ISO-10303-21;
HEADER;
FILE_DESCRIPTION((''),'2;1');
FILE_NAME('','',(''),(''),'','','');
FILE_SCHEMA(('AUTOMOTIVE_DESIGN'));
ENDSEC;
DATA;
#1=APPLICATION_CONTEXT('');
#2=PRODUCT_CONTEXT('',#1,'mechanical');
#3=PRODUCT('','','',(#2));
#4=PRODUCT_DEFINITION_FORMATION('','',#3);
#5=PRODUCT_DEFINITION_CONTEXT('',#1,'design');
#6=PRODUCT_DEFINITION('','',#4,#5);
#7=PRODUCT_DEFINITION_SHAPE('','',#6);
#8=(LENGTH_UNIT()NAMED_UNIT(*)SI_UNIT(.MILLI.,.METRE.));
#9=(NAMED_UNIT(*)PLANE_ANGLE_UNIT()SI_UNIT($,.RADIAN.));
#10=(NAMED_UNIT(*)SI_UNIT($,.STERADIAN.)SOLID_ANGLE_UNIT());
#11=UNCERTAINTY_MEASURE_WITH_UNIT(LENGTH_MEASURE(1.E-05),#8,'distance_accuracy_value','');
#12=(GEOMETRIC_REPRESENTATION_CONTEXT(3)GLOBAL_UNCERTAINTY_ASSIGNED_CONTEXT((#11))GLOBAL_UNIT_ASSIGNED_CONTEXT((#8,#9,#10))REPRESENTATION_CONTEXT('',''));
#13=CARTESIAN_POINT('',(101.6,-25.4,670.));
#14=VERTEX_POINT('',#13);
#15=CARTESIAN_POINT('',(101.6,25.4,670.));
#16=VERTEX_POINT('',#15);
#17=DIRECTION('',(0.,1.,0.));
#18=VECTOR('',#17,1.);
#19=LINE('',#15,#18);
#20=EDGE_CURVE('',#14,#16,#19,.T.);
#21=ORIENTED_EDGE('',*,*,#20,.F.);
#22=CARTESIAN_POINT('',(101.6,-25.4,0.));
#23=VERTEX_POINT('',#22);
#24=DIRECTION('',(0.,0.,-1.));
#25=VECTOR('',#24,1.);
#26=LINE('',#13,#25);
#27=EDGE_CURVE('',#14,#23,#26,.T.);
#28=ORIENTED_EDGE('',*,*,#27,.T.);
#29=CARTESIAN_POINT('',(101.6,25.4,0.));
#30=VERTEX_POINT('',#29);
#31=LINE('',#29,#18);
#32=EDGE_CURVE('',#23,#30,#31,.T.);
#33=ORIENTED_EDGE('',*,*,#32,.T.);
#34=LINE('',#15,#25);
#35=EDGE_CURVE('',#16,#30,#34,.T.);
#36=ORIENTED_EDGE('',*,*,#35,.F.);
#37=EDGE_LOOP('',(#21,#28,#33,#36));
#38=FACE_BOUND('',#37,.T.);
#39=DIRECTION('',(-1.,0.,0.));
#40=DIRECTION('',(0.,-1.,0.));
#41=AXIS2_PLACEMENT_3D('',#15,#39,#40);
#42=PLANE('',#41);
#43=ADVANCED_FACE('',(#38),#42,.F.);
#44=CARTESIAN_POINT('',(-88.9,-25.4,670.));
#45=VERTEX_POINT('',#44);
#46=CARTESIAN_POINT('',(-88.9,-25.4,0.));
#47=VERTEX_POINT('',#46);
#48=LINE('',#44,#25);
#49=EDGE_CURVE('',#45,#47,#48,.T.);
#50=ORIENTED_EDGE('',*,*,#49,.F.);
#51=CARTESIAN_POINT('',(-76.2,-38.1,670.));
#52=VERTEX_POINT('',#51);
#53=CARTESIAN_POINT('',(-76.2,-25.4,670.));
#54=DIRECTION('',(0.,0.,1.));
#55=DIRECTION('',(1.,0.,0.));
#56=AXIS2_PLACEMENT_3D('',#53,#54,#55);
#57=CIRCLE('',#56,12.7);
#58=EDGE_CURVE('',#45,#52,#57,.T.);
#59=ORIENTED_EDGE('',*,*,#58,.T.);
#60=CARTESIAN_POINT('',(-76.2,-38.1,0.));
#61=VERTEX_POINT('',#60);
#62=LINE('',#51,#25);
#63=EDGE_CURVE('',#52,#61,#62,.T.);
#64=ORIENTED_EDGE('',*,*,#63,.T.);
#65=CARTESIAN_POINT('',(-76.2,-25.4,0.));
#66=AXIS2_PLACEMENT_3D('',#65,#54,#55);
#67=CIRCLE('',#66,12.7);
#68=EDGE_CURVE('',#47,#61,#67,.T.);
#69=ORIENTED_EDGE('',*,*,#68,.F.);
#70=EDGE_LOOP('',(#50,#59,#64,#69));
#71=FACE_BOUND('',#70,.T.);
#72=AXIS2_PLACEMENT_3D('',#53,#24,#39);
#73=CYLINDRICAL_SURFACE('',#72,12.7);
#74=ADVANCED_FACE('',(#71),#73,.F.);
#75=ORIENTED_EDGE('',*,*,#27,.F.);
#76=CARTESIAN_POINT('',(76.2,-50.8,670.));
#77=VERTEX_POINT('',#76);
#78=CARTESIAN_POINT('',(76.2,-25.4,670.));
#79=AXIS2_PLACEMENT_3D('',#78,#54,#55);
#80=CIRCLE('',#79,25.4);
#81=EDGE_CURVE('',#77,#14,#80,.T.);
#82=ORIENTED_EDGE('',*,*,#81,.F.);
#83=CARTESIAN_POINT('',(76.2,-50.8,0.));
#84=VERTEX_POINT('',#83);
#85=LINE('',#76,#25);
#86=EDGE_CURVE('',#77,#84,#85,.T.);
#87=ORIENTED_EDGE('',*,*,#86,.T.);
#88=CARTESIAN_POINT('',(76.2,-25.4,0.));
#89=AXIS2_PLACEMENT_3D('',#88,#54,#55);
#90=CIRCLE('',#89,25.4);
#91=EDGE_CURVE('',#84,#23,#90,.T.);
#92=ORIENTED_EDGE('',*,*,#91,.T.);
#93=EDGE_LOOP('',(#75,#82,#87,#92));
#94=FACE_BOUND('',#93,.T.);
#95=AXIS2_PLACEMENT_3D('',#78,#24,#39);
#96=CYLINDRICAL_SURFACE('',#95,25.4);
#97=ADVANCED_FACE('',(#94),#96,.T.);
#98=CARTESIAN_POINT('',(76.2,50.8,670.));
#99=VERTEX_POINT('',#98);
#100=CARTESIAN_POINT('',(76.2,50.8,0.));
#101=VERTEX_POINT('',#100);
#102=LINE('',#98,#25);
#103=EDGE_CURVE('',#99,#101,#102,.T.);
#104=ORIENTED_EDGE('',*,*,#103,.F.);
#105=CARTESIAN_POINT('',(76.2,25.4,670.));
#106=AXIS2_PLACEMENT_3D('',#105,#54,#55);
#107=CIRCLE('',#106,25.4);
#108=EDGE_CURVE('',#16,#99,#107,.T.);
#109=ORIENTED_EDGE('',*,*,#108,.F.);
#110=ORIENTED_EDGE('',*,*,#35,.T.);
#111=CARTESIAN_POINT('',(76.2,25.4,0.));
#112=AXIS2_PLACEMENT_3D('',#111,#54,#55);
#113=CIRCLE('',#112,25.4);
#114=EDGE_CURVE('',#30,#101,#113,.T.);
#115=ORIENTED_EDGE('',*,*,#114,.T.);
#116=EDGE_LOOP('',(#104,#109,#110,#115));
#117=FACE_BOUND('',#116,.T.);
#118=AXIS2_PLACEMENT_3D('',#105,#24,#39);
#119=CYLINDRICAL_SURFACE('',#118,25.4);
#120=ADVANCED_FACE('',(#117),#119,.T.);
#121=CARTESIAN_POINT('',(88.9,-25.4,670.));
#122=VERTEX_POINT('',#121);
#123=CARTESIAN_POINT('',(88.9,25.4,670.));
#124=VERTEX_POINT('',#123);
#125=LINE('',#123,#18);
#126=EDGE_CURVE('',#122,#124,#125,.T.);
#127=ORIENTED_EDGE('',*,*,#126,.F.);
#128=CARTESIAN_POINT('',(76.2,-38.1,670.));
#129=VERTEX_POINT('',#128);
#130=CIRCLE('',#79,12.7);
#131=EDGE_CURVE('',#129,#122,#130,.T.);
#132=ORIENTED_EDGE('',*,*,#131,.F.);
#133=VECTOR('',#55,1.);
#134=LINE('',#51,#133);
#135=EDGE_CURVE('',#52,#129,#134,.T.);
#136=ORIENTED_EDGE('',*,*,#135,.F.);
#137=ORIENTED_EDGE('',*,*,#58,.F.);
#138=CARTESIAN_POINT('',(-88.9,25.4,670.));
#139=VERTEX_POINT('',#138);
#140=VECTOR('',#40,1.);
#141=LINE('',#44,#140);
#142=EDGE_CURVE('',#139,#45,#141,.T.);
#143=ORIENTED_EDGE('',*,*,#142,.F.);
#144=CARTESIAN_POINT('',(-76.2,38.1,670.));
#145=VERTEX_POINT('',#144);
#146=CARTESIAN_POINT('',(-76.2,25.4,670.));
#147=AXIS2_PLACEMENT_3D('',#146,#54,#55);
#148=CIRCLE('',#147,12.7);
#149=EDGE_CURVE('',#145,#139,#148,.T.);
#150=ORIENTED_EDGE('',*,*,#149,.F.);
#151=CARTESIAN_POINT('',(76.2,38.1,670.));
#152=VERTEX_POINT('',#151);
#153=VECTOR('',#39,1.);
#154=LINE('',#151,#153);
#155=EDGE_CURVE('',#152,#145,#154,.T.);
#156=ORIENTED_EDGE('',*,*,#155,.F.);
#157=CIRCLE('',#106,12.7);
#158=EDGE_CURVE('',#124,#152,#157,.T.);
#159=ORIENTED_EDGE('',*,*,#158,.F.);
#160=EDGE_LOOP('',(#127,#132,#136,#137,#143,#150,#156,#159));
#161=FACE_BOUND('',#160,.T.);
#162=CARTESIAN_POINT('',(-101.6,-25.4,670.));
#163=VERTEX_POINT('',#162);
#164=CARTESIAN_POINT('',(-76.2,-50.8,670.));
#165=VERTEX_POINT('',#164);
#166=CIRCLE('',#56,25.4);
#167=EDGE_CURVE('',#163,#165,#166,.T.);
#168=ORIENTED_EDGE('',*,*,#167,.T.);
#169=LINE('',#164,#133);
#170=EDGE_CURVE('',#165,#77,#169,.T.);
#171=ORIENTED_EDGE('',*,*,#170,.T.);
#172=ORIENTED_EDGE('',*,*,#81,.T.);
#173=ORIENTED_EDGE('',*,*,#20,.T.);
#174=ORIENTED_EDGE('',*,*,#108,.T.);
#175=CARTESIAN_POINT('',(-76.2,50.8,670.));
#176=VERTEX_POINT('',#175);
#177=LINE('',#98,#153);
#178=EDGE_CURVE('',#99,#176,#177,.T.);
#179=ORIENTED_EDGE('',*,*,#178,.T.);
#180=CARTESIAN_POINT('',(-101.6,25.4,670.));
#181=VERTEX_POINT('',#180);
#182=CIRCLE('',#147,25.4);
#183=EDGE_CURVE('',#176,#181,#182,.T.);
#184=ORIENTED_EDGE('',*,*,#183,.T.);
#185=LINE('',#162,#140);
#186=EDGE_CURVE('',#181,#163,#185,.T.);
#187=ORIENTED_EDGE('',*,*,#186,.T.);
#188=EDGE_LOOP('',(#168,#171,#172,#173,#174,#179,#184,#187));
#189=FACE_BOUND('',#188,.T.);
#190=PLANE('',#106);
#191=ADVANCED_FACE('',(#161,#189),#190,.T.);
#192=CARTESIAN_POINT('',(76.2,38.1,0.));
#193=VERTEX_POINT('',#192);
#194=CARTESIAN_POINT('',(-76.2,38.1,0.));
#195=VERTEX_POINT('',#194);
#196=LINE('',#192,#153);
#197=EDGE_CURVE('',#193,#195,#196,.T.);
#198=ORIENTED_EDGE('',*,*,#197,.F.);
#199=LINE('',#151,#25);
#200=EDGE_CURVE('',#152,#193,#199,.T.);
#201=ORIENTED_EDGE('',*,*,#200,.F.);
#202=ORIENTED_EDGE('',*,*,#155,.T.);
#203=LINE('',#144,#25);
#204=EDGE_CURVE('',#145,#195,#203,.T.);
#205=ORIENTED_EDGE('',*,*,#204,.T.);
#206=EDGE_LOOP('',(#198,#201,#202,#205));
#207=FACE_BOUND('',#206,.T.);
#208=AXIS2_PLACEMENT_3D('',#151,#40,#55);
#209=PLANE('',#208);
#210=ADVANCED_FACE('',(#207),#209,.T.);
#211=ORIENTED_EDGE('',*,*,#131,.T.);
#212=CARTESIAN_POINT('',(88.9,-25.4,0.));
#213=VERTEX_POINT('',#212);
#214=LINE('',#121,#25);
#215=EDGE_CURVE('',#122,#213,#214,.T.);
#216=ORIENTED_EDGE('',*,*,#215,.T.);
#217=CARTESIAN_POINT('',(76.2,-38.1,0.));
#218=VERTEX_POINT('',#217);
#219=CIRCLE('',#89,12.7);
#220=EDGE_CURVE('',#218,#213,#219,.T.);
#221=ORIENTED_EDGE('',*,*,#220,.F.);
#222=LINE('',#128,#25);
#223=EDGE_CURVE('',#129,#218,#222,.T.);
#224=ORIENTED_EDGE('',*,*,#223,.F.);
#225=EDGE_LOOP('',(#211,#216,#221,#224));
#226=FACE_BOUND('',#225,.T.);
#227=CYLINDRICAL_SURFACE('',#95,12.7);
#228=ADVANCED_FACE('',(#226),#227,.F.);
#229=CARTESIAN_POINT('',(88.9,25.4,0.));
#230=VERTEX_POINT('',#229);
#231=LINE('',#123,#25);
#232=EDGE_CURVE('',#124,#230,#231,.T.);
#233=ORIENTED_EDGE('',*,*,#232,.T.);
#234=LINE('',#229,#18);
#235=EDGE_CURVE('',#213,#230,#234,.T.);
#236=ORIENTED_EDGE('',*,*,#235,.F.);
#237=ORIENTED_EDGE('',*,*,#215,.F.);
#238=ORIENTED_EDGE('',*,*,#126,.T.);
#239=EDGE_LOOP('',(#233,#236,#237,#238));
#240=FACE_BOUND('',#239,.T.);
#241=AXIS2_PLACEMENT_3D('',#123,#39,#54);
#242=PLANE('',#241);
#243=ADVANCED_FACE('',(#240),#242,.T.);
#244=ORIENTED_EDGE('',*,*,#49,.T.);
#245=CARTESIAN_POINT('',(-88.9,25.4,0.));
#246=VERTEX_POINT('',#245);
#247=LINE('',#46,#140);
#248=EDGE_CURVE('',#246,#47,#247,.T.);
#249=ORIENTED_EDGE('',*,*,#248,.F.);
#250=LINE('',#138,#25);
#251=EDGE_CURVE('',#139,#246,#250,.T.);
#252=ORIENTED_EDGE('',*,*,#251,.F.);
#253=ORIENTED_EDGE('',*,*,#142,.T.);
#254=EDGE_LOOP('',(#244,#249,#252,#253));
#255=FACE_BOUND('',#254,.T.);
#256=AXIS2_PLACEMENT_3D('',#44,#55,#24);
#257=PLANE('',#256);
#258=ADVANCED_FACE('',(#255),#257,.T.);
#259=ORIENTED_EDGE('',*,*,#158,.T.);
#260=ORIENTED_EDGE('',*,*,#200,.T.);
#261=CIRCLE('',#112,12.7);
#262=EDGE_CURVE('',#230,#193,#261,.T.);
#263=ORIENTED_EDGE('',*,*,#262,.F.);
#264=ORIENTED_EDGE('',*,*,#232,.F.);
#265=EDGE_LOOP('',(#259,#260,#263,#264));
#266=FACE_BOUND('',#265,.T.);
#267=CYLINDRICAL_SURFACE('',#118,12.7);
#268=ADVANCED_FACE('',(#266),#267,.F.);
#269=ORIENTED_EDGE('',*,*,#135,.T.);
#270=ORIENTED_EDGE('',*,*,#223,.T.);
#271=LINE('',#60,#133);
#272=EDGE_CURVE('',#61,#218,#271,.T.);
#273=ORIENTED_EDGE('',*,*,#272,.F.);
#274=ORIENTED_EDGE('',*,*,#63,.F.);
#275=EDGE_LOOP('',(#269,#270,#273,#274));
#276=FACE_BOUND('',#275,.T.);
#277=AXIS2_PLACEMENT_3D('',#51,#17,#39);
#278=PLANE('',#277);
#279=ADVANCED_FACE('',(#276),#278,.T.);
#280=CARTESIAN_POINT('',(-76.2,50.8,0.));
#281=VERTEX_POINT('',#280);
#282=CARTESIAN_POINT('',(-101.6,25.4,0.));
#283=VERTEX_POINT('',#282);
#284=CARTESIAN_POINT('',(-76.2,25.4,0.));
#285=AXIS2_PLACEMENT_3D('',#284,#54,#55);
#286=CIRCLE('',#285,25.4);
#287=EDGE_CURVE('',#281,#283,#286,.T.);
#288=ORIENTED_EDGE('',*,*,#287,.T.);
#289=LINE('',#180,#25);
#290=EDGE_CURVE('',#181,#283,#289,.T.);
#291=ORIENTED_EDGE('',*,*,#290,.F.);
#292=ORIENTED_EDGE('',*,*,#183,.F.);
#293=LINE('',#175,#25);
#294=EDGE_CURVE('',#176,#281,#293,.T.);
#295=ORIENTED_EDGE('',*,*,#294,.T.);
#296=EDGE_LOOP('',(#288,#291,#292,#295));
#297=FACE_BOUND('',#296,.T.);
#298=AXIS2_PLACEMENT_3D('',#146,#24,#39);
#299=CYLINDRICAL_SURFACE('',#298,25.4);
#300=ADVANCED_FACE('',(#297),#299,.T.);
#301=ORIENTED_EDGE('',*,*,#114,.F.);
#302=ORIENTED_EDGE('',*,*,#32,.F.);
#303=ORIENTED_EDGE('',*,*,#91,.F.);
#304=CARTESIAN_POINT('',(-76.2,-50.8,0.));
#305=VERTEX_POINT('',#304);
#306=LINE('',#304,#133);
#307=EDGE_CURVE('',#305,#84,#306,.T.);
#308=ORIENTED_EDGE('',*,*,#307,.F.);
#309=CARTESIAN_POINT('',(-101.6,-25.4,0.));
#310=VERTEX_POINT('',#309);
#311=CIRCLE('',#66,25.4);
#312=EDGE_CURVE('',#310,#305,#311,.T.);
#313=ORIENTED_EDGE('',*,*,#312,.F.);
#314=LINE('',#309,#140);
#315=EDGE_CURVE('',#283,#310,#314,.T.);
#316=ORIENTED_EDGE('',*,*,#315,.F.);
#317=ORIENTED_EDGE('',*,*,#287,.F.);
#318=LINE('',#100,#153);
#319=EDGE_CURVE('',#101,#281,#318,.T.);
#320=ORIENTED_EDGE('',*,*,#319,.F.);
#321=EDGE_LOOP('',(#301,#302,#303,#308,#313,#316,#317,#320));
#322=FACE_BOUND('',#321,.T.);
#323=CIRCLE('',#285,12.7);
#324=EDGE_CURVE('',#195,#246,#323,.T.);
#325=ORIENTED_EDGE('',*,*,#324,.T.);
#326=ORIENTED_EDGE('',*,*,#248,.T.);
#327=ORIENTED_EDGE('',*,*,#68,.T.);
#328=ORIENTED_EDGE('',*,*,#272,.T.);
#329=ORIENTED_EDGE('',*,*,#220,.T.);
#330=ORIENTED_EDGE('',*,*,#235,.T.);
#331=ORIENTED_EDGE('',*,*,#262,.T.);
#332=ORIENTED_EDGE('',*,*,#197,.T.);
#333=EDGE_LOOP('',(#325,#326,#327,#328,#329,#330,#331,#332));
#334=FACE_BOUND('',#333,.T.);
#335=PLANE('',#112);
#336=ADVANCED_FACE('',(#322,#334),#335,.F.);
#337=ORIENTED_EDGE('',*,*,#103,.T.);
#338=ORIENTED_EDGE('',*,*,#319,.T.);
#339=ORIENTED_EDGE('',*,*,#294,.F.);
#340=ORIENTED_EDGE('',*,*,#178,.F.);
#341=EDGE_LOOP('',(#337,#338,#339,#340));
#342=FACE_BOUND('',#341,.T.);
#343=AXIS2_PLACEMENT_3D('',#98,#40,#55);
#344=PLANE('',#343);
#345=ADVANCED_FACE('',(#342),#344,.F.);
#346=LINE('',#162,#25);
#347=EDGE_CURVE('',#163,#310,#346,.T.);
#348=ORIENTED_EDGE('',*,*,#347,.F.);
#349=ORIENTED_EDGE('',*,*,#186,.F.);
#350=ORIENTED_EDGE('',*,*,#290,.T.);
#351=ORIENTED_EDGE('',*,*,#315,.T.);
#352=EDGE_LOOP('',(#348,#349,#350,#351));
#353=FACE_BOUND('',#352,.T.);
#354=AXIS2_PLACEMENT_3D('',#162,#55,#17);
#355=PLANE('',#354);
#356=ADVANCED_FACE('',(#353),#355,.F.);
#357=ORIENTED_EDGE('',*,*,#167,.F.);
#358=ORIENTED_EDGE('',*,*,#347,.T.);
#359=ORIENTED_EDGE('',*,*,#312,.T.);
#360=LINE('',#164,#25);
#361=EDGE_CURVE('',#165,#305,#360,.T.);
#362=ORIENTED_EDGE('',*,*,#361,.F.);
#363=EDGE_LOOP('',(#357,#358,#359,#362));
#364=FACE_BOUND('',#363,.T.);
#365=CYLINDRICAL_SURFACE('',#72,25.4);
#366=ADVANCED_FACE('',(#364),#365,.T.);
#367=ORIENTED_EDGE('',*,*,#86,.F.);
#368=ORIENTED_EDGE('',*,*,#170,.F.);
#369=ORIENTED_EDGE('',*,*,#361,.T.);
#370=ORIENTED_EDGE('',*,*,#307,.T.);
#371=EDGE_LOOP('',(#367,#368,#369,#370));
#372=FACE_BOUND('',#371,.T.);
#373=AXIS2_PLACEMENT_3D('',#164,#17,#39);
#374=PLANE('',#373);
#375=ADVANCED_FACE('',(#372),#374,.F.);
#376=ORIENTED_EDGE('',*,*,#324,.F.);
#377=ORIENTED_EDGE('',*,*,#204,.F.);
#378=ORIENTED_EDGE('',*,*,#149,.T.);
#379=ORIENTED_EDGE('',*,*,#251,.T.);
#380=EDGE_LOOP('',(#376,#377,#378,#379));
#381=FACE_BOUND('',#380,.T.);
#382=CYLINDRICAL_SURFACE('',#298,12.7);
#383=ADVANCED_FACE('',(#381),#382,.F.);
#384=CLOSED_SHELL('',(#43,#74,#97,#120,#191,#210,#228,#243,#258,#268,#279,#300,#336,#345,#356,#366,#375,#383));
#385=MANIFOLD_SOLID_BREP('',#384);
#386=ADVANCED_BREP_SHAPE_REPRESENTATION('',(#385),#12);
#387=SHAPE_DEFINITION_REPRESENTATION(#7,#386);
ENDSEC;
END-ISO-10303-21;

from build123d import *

# Parameters (mm, degrees)
BOSS_EXTRUDE1_DEPTH = 670


with BuildPart() as part:
    # Sketch1 → Boss-Extrude1 (new body)
    with BuildSketch(Plane.XY):
        with BuildLine():
            Line((-76.2, -50.8), (76.2, -50.8))
            ThreePointArc((76.2, -50.8), (94.160512242, -43.360512242), (101.6, -25.4))
            Line((101.6, -25.4), (101.6, 25.4))
            ThreePointArc((101.6, 25.4), (94.160512242, 43.360512242), (76.2, 50.8))
            Line((76.2, 50.8), (-76.2, 50.8))
            ThreePointArc((-76.2, 50.8), (-94.160512242, 43.360512242), (-101.6, 25.4))
            Line((-101.6, 25.4), (-101.6, -25.4))
            ThreePointArc((-101.6, -25.4), (-94.160512242, -43.360512242), (-76.2, -50.8))
        make_face()
        with BuildLine():
            Line((-76.2, -38.1), (76.2, -38.1))
            ThreePointArc((76.2, -38.1), (85.180256121, -34.380256121), (88.9, -25.4))
            Line((88.9, -25.4), (88.9, 25.4))
            ThreePointArc((88.9, 25.4), (85.180256121, 34.380256121), (76.2, 38.1))
            Line((76.2, 38.1), (-76.2, 38.1))
            ThreePointArc((-76.2, 38.1), (-85.180256121, 34.380256121), (-88.9, 25.4))
            Line((-88.9, 25.4), (-88.9, -25.4))
            ThreePointArc((-88.9, -25.4), (-85.180256121, -34.380256121), (-76.2, -38.1))
        make_face(mode=Mode.SUBTRACT)
    extrude(amount=BOSS_EXTRUDE1_DEPTH)


solid = part.part
